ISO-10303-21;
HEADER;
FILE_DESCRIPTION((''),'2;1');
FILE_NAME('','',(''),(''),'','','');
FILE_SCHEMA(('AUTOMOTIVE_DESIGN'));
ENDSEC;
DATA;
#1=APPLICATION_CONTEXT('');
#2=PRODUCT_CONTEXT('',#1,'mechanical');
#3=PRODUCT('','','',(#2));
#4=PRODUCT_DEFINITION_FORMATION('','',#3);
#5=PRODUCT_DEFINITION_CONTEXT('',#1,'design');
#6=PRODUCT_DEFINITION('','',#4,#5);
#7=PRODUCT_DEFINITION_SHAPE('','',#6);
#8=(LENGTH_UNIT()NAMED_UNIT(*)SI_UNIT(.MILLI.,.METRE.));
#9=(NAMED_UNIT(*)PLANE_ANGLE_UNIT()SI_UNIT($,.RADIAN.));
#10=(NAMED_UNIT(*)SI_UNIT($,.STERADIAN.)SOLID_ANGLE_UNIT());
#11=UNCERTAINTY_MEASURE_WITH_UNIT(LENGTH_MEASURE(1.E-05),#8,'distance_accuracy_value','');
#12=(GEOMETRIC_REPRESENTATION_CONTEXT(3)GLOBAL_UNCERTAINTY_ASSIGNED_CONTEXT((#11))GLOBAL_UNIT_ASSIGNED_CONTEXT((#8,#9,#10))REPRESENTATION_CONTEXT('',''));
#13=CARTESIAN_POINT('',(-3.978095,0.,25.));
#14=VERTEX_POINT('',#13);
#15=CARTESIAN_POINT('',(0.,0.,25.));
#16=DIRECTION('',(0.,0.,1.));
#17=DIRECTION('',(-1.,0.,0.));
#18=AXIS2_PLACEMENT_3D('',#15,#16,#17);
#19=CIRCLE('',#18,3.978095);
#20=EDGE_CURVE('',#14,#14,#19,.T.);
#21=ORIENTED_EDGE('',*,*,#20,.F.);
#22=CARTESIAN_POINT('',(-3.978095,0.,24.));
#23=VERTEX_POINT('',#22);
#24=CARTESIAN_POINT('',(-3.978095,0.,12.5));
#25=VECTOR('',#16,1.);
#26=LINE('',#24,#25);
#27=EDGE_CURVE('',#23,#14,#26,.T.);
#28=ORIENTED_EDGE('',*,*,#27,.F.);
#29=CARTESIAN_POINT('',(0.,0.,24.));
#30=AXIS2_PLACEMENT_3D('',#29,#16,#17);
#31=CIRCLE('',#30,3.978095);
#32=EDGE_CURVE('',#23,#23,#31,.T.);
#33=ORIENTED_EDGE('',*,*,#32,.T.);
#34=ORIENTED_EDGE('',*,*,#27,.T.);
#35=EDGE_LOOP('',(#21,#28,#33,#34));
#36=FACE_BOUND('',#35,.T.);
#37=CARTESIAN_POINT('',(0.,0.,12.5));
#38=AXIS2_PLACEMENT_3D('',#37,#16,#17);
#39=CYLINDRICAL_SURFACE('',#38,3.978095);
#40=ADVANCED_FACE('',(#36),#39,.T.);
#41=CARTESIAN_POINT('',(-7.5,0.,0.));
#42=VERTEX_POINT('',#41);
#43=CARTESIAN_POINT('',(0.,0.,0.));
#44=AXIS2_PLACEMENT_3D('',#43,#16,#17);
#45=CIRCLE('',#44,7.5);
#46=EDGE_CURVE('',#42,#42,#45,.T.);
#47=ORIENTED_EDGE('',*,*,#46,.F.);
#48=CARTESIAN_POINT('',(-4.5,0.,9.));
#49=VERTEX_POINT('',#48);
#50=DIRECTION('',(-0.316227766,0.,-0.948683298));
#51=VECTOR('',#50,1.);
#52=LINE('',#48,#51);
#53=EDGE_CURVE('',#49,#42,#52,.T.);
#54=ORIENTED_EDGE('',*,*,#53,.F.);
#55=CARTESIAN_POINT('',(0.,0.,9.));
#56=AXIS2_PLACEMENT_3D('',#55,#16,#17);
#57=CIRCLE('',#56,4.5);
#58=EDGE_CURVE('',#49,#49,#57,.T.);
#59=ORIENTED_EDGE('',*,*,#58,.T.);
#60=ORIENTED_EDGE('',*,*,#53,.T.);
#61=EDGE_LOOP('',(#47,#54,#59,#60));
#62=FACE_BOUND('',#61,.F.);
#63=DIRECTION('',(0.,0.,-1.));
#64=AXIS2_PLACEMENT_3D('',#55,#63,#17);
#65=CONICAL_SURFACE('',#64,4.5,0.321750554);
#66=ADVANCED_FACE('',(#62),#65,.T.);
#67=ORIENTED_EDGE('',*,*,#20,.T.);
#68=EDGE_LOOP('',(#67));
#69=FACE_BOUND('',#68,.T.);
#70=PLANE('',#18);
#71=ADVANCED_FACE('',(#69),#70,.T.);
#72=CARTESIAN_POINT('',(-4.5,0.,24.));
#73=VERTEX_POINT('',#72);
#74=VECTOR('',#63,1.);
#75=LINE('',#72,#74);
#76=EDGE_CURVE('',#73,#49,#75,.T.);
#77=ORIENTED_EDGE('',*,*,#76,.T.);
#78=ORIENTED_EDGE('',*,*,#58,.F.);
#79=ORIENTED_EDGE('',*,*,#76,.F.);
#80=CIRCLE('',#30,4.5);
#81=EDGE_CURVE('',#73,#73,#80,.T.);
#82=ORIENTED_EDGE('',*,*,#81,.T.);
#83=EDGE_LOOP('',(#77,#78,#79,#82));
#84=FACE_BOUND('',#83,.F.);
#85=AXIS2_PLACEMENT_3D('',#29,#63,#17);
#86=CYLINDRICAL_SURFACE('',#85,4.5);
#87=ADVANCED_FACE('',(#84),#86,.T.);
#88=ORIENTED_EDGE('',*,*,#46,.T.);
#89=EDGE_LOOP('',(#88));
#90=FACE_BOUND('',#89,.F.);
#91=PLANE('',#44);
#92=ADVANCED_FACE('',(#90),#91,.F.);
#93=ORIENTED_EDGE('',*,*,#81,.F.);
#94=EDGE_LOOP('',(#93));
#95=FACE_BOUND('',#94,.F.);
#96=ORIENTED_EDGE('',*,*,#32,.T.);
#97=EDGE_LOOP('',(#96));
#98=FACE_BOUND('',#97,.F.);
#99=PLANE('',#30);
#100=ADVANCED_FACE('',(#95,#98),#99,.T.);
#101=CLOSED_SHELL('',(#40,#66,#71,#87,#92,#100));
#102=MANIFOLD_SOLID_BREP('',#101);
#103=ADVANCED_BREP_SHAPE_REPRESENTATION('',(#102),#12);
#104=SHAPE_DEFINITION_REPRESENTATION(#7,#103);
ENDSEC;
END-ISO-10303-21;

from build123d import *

# Parameters (mm, degrees)
F2_W = 3.9780945517
F2_H = 25


with BuildPart() as f1:
    # F0 (on Front) → F1 (revolve)
    with BuildSketch(Plane.XZ):
        Polygon((-7.5, 0), (0, 0), (0, 24), (-4.5, 24), (-4.5, 9), align=None)
    revolve(axis=Axis((0, 0, 12), (0, 0, 1)))

    # F2 (on Front) → F3 (revolve)
    with BuildSketch(Plane.XZ):
        with Locations((-1.9890472759, 12.5)):
            Rectangle(F2_W, F2_H)
    revolve(axis=Axis((0, 0, 12.5), (0, 0, 1)))


solid = f1.part
